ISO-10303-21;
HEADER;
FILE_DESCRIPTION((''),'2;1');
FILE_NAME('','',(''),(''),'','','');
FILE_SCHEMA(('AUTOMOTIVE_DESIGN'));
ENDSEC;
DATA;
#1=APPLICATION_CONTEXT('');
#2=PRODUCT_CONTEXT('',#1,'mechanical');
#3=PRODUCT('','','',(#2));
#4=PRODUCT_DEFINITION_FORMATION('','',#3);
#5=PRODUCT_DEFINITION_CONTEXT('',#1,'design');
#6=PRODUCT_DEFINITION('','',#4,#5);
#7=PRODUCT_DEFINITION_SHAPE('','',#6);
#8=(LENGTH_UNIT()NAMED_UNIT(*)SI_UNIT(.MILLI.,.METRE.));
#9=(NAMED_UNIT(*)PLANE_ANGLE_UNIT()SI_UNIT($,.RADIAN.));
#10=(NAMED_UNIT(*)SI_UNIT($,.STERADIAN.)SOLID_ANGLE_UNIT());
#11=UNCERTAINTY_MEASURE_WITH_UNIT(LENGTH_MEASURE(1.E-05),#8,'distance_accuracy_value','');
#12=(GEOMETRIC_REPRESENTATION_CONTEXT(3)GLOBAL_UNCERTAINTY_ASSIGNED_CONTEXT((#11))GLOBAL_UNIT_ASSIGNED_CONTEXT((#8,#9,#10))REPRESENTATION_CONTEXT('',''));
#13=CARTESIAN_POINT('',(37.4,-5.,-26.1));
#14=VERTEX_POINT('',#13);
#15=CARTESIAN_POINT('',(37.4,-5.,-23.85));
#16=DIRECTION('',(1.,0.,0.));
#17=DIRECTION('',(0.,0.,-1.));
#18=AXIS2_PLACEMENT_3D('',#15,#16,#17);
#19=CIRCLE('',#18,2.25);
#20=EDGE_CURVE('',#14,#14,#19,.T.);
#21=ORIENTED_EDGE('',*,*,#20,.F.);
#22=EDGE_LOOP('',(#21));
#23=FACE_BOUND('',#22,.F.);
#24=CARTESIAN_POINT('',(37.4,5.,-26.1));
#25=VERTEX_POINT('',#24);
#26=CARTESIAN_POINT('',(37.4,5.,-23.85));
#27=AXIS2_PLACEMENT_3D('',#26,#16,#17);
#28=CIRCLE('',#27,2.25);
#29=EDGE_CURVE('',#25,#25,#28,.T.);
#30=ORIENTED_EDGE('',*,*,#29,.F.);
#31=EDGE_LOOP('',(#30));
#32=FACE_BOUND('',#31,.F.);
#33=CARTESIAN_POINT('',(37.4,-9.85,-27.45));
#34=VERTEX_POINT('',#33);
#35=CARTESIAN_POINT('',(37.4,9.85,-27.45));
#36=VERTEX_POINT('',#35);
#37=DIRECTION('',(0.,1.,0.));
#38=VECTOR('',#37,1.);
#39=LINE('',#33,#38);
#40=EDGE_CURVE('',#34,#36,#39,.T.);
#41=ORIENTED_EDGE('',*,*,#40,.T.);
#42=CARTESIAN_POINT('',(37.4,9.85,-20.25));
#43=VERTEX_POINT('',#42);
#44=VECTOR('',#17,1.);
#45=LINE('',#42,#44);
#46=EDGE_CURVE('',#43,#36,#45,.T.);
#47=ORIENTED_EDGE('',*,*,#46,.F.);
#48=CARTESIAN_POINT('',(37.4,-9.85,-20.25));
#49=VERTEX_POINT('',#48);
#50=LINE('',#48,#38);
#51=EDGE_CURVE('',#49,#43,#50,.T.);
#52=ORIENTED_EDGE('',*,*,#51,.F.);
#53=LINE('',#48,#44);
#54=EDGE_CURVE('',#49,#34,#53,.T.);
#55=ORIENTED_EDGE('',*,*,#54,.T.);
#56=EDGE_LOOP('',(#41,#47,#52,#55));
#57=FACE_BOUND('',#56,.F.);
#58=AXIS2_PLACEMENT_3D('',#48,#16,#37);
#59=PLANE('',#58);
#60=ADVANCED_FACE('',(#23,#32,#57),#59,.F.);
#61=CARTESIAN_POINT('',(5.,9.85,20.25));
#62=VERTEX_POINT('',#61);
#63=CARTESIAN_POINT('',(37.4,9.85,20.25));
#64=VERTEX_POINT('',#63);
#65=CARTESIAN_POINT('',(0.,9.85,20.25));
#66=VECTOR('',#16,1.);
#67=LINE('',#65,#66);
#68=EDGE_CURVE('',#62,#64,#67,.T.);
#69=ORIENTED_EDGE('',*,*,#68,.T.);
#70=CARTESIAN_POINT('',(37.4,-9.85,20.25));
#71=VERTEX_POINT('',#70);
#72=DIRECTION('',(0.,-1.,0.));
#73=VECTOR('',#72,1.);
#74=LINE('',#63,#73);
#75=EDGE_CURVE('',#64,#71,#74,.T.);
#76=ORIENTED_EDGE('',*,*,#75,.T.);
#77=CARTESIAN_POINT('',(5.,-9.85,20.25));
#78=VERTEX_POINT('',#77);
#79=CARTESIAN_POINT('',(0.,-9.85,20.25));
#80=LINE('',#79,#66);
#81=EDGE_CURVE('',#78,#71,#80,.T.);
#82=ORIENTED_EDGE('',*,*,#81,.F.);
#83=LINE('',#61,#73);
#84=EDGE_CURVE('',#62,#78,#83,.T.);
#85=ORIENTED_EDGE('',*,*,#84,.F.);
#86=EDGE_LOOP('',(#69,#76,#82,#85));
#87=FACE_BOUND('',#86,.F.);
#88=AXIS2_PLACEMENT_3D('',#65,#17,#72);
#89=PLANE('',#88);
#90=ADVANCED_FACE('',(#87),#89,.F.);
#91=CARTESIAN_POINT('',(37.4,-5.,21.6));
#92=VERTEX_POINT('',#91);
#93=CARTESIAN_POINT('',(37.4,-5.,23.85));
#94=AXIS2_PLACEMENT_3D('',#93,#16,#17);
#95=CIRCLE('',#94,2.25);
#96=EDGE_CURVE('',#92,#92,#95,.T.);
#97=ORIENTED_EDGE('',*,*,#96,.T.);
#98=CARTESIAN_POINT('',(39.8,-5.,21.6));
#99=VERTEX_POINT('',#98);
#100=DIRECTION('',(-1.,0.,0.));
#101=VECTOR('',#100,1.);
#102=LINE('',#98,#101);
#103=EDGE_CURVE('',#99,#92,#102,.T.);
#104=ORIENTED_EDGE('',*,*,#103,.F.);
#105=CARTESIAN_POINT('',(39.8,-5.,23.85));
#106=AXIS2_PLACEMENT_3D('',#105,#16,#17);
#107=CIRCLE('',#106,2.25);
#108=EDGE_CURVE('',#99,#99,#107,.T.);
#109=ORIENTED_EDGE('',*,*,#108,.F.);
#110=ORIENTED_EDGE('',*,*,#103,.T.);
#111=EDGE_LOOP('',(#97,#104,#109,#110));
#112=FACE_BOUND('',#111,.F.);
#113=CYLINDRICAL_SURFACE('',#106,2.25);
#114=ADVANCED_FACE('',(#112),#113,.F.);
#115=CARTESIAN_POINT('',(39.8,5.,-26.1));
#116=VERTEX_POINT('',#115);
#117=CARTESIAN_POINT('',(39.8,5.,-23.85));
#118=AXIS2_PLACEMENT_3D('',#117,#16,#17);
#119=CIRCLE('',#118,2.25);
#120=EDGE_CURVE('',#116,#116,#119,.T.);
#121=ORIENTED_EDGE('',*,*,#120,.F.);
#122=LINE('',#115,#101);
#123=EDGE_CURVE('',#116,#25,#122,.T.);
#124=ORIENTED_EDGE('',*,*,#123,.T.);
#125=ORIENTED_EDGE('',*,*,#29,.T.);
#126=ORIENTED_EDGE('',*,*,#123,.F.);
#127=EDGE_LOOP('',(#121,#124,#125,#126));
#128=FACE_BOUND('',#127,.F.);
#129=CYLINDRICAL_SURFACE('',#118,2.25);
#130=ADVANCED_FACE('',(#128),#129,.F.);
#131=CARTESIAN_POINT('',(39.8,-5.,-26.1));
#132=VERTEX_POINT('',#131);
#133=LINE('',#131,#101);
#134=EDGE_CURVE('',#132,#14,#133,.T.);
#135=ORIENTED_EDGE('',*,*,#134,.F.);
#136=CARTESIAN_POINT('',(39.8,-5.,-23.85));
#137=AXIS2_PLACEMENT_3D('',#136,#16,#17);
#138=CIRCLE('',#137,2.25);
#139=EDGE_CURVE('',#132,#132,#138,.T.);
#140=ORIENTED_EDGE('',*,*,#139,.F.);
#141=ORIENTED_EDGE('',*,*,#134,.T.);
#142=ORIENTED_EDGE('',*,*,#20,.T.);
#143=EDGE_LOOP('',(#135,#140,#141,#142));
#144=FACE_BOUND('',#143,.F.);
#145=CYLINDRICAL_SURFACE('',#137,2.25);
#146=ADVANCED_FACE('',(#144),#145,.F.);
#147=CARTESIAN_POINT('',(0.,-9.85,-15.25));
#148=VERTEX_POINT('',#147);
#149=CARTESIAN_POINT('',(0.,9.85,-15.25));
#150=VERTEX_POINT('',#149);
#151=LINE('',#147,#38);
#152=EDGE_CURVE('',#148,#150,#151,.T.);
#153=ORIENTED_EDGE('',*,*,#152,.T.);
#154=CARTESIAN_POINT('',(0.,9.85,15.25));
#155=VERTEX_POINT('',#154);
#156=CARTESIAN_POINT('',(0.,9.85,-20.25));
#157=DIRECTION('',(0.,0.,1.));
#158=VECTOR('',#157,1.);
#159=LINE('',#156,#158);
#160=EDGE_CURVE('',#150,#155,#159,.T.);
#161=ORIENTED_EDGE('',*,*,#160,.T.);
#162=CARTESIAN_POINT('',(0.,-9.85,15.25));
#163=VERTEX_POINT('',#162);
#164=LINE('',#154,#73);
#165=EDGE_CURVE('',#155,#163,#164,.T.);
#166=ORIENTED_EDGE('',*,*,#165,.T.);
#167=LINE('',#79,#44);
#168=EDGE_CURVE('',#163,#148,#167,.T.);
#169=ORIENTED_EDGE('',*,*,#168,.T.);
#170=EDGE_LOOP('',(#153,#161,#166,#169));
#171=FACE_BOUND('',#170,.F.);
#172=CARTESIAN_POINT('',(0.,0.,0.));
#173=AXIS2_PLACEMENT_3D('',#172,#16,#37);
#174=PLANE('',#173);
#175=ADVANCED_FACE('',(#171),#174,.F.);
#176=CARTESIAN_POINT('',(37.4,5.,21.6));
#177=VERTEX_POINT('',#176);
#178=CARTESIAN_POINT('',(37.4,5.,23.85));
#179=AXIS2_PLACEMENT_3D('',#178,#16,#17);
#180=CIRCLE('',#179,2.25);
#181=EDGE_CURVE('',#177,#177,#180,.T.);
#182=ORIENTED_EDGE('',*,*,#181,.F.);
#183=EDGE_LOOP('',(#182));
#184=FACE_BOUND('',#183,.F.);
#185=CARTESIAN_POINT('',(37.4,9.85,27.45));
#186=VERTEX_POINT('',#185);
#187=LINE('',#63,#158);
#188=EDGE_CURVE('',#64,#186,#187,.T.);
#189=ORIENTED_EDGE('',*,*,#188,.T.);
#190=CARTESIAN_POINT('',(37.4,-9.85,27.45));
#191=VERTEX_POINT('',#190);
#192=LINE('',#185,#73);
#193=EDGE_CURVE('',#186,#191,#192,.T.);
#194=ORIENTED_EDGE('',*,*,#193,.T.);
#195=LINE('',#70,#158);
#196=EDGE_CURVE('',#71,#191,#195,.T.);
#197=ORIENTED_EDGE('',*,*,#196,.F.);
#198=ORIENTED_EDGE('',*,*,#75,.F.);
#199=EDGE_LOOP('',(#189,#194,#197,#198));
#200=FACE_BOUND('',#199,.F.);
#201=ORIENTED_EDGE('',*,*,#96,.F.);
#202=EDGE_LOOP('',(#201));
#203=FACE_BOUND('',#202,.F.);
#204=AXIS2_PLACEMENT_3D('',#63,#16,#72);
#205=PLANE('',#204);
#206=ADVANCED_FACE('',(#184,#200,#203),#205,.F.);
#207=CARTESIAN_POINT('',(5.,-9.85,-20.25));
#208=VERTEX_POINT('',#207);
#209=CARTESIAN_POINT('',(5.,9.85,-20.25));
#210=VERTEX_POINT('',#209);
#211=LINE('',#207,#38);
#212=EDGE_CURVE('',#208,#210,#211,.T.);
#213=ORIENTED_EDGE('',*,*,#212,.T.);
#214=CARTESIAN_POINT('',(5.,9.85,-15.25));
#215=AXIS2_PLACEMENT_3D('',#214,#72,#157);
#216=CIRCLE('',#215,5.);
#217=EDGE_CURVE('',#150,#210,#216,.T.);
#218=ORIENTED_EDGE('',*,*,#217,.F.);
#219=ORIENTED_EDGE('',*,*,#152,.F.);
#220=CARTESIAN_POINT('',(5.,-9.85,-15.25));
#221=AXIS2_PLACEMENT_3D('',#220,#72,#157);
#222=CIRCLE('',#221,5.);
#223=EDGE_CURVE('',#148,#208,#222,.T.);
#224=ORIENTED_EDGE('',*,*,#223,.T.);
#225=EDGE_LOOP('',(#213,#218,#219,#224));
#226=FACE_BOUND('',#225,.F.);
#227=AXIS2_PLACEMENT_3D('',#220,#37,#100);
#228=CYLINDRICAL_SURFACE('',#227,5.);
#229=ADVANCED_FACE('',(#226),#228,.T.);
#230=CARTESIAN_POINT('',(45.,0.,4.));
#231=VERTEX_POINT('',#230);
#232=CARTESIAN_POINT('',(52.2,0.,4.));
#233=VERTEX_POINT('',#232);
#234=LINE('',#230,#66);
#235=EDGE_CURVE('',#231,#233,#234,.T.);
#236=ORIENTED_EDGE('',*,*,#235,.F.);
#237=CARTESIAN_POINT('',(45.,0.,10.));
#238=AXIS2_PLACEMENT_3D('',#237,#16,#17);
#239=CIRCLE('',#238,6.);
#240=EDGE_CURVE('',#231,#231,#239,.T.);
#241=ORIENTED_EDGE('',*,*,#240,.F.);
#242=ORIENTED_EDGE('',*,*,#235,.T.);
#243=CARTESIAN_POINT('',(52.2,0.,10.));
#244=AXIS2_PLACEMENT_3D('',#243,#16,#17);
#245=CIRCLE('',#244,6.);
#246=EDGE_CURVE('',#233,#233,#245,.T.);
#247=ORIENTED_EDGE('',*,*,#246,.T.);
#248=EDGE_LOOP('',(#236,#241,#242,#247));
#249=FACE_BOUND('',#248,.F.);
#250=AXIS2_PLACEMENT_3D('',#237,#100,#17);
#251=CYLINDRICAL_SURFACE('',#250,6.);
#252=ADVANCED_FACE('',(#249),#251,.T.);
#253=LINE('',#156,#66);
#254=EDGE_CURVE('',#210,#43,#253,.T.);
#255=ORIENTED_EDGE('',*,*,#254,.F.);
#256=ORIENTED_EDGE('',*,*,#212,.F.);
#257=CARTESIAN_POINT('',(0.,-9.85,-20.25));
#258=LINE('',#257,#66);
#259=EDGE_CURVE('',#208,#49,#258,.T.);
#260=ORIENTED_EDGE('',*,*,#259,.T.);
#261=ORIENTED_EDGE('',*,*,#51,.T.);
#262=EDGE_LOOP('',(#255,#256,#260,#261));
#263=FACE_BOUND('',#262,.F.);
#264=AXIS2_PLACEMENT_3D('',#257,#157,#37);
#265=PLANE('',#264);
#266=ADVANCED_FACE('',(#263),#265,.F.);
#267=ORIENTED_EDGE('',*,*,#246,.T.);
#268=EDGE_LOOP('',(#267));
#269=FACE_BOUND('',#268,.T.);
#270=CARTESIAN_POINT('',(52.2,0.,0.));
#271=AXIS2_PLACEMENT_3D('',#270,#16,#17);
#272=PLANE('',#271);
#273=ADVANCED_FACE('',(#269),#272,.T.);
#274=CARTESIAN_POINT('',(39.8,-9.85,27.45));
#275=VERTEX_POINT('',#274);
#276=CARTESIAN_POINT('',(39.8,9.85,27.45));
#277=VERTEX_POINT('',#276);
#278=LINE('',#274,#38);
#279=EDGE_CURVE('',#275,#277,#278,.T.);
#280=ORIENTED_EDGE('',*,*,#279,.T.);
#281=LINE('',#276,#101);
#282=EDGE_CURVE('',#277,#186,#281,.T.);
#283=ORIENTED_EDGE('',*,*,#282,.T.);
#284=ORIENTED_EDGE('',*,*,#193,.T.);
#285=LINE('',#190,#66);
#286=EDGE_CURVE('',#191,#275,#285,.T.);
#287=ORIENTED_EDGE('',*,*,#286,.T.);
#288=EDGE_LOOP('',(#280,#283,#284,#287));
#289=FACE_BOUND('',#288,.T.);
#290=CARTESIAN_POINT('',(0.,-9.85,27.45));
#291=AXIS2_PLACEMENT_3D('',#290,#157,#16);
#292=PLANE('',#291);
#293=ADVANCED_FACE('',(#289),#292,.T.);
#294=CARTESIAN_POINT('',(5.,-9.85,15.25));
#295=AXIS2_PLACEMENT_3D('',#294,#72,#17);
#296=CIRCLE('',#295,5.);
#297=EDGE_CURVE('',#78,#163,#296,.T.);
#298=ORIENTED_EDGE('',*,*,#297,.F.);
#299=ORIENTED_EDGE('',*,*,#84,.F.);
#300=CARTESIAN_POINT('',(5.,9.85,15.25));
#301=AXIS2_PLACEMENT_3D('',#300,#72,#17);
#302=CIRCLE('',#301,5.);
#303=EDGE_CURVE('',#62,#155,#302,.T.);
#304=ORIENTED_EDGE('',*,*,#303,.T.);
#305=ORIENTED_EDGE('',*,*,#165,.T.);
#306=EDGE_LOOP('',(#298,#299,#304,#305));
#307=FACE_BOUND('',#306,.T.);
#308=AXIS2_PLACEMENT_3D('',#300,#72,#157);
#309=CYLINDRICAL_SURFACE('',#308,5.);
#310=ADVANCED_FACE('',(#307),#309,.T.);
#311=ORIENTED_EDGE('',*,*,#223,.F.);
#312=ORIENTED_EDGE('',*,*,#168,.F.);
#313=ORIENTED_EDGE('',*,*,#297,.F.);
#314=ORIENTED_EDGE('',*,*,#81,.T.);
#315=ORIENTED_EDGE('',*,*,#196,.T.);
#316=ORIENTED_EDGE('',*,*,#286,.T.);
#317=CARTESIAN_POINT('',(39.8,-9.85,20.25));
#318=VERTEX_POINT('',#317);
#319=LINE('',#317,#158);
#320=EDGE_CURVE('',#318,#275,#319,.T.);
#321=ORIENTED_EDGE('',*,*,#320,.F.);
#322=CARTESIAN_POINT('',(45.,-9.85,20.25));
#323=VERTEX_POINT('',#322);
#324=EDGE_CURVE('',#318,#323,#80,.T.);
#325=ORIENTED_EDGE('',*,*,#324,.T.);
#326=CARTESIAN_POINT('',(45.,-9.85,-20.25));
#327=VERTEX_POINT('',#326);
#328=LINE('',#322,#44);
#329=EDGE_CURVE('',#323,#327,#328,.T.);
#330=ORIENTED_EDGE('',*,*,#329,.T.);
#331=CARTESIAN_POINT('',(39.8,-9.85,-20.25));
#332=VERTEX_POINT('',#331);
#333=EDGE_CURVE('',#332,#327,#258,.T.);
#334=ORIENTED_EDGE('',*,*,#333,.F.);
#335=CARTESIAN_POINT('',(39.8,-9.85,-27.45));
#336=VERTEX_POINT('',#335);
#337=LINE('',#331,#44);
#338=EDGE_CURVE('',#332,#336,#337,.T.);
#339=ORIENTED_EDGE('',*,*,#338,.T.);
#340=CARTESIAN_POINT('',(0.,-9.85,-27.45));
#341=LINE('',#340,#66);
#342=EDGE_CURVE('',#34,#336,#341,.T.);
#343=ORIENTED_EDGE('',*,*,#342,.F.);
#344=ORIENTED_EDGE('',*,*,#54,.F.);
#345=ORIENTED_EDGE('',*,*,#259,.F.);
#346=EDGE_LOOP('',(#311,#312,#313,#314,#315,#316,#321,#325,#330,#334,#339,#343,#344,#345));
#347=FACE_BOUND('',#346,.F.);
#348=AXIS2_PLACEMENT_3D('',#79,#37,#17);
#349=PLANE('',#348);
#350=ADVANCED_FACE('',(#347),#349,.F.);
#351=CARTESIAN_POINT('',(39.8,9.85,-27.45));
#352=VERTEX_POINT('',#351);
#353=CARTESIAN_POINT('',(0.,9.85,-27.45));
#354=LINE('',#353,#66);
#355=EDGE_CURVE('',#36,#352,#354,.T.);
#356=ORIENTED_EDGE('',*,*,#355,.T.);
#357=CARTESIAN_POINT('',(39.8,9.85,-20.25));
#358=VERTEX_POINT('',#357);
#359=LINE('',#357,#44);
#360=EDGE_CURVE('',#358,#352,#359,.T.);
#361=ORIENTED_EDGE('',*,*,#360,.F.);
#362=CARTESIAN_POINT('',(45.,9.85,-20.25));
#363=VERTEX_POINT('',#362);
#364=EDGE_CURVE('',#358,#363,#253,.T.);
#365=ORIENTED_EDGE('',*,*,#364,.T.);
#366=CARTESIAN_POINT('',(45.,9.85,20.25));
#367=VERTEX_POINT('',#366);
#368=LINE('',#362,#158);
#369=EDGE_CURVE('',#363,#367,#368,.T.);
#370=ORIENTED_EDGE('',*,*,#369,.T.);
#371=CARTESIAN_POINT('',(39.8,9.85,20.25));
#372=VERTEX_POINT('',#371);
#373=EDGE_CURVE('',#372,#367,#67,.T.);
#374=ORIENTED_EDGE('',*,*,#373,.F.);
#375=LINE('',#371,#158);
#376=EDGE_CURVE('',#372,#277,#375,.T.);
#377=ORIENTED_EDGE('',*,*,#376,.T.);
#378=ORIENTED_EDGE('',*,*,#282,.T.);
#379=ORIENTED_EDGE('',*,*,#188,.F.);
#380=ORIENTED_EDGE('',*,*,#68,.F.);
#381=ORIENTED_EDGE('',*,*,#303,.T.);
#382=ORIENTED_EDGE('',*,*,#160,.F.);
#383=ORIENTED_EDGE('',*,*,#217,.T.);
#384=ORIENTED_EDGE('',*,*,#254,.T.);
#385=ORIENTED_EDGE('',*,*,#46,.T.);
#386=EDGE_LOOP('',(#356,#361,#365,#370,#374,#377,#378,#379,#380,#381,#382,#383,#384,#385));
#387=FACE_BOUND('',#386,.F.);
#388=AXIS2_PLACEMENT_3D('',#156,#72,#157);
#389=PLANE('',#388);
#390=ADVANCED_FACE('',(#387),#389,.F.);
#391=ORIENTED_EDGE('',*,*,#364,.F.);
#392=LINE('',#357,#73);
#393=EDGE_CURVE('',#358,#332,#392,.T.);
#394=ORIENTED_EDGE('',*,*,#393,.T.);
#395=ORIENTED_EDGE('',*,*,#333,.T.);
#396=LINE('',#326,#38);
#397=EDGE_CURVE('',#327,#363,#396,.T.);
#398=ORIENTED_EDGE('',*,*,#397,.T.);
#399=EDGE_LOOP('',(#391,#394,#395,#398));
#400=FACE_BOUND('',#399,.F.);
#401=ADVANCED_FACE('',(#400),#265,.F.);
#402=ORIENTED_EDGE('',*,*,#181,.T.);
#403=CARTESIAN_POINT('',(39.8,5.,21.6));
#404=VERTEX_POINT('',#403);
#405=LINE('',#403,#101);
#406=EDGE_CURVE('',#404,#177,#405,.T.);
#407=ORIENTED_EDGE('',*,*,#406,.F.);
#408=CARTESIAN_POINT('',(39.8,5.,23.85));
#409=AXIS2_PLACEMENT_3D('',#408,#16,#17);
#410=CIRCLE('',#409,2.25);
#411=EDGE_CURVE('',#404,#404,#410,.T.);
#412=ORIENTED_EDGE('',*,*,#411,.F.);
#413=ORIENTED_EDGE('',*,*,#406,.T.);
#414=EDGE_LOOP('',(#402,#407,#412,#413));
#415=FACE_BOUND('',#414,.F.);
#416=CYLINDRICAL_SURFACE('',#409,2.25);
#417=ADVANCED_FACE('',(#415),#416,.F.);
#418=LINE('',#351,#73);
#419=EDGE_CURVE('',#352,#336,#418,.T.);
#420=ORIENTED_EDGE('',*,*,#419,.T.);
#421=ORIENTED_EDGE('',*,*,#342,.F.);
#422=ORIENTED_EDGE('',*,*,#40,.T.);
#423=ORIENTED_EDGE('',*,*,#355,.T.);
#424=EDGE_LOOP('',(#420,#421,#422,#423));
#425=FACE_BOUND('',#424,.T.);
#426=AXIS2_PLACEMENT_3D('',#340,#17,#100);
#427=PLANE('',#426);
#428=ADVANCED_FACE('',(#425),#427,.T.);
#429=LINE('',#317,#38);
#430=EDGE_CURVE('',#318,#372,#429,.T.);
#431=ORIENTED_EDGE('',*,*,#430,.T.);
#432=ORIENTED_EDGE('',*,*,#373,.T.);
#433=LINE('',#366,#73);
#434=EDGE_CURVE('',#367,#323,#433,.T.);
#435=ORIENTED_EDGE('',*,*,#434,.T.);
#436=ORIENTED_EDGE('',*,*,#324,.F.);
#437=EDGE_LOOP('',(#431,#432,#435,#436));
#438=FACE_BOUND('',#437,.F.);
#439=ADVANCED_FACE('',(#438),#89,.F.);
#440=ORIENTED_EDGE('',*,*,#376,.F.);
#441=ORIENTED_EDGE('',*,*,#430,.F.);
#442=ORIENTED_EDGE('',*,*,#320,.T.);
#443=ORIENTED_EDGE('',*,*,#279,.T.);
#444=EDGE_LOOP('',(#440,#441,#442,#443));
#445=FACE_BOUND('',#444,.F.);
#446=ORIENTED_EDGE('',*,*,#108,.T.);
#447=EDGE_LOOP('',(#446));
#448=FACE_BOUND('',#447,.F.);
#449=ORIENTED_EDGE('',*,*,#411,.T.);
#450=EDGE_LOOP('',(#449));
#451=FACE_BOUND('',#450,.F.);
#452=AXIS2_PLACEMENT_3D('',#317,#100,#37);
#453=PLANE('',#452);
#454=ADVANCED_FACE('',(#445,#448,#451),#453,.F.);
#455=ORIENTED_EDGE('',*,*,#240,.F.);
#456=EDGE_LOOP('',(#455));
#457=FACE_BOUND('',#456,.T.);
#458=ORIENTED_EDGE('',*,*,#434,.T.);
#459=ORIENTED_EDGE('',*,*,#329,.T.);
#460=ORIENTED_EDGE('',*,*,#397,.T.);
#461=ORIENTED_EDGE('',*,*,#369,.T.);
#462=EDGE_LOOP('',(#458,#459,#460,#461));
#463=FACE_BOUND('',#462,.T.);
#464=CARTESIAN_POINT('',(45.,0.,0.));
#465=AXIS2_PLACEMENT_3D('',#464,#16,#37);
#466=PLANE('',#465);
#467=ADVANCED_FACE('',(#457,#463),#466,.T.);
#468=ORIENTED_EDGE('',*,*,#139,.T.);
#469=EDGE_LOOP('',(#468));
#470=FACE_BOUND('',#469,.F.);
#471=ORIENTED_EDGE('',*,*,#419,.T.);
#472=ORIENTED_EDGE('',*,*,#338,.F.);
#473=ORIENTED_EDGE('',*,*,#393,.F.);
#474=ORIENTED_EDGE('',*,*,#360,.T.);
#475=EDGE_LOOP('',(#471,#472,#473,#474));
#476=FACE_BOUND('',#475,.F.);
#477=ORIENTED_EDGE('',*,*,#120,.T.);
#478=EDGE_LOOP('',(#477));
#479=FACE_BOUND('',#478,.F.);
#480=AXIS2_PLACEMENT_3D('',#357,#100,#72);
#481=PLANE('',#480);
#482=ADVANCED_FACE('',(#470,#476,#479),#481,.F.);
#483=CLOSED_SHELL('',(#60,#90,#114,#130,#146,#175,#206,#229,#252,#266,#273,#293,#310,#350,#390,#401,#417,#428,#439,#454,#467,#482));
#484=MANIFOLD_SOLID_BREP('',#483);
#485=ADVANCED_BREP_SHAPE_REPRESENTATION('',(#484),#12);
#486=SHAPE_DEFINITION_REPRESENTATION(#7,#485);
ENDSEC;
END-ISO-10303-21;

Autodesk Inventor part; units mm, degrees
ref_plane "YZ Plane" through (0, 0, 0) normal (1, 0, 0) x (0, 1, 0)
ref_plane "XZ Plane" through (0, 0, 0) normal (0, 1, 0) x (-1, 0, 0)
ref_plane "XY Plane" through (0, 0, 0) normal (0, 0, 1) x (1, 0, 0)
sketch "Esquisse1" plane through (0, 0, 0) normal (1, 0, 0) x (0, 1, 0)
  line L0 (9.85, 20.25) -> (-9.85, 20.25)
  line L1 (-9.85, 20.25) -> (-9.85, -20.25)
  line L2 (-9.85, -20.25) -> (9.85, -20.25)
  line L3 (9.85, -20.25) -> (9.85, 20.25)
  line L4 (9.85, 20.25) -> (-9.85, -20.25)
  line L5 (-9.85, 20.25) -> (9.85, -20.25)
  point P0 (0, 0)
  point P1 (0, 0)
  point P2 (0, 0)
  dimension "d0" = 19.7
  dimension "d1" = 40.5
extrude "Extrusion1" add sketch "Esquisse1" along normal blind 45
sketch "Esquisse2" plane through (0, -9.85, -20.25) normal (0, 0, -1) x (-1, 0, 0)
  line L0 (0, 0) -> (-45, 0) projected
  line L1 (0, 19.7) -> (-45, 19.7) projected
  line L2 (-39.8, 0) -> (-37.4, 0)
  line L3 (-37.4, 0) -> (-37.4, 19.7)
  line L4 (-37.4, 19.7) -> (-39.8, 19.7)
  line L5 (-39.8, 19.7) -> (-39.8, 0)
  line L6 (-45, 0) -> (-45, 19.7) projected
  point P0 (0, 9.85)
  dimension "d4" = 5.2
  dimension "d5" = 2.4
extrude "Extrusion2" add sketch "Esquisse2" along normal blind 7.2 contours L0 L5 L1 L3
sketch "Esquisse3" plane through (0, -9.85, 20.25) normal (0, 0, 1) x (1, 0, 0)
  line L0 (39.8, 19.7) -> (45, 19.7) projected
  line L1 (39.8, 19.7) -> (37.4, 19.7)
  line L2 (37.4, 19.7) -> (37.4, 0)
  line L3 (37.4, 0) -> (39.8, 0)
  line L4 (39.8, 0) -> (39.8, 19.7)
  point P0 (0, 9.85)
extrude "Extrusion3" add sketch "Esquisse3" along normal blind 7.2
sketch "Esquisse4" plane through (39.8, -9.85, 20.25) normal (1, 0, 0) x (0, 0, -1)
  line L0 (40.5, 19.7) -> (0, 19.7) projected
  line L1 (20.25, 19.7) -> (20.25, 0)
  line L2 (0, 0) -> (40.5, 0) projected
  circle A0 centre (-3.6, 14.85) radius 2.25
  line L3 (-7.2, 19.7) -> (-7.2, 0) projected
  line L4 (-7.2, 9.85) -> (47.7, 9.85)
  line L5 (47.7, 0) -> (47.7, 19.7) projected
  circle A1 centre (-3.6, 4.85) radius 2.25
  circle A2 centre (44.1, 14.85) radius 2.25
  circle A3 centre (44.1, 4.85) radius 2.25
  point P0 (20.25, 9.85)
  dimension "d10" = 4.5
  dimension "d11" = 10
extrude "Extrusion4" cut sketch "Esquisse4" against normal blind 7.2
sketch "Esquisse5" plane through (45, 0, 0) normal (1, 0, 0) x (0, 0, -1)
  circle A0 centre (-10, 0) radius 6
  point P0 (0, 0)
  dimension "d14" = 12
  dimension "d15" = 10
extrude "Extrusion5" add sketch "Esquisse5" along normal blind 7.2
fillet "Congé1" radius 5 2 edges at (0, 0, 20.25) (0, 0, -20.25)
properties part number "servomoteur_roues"
